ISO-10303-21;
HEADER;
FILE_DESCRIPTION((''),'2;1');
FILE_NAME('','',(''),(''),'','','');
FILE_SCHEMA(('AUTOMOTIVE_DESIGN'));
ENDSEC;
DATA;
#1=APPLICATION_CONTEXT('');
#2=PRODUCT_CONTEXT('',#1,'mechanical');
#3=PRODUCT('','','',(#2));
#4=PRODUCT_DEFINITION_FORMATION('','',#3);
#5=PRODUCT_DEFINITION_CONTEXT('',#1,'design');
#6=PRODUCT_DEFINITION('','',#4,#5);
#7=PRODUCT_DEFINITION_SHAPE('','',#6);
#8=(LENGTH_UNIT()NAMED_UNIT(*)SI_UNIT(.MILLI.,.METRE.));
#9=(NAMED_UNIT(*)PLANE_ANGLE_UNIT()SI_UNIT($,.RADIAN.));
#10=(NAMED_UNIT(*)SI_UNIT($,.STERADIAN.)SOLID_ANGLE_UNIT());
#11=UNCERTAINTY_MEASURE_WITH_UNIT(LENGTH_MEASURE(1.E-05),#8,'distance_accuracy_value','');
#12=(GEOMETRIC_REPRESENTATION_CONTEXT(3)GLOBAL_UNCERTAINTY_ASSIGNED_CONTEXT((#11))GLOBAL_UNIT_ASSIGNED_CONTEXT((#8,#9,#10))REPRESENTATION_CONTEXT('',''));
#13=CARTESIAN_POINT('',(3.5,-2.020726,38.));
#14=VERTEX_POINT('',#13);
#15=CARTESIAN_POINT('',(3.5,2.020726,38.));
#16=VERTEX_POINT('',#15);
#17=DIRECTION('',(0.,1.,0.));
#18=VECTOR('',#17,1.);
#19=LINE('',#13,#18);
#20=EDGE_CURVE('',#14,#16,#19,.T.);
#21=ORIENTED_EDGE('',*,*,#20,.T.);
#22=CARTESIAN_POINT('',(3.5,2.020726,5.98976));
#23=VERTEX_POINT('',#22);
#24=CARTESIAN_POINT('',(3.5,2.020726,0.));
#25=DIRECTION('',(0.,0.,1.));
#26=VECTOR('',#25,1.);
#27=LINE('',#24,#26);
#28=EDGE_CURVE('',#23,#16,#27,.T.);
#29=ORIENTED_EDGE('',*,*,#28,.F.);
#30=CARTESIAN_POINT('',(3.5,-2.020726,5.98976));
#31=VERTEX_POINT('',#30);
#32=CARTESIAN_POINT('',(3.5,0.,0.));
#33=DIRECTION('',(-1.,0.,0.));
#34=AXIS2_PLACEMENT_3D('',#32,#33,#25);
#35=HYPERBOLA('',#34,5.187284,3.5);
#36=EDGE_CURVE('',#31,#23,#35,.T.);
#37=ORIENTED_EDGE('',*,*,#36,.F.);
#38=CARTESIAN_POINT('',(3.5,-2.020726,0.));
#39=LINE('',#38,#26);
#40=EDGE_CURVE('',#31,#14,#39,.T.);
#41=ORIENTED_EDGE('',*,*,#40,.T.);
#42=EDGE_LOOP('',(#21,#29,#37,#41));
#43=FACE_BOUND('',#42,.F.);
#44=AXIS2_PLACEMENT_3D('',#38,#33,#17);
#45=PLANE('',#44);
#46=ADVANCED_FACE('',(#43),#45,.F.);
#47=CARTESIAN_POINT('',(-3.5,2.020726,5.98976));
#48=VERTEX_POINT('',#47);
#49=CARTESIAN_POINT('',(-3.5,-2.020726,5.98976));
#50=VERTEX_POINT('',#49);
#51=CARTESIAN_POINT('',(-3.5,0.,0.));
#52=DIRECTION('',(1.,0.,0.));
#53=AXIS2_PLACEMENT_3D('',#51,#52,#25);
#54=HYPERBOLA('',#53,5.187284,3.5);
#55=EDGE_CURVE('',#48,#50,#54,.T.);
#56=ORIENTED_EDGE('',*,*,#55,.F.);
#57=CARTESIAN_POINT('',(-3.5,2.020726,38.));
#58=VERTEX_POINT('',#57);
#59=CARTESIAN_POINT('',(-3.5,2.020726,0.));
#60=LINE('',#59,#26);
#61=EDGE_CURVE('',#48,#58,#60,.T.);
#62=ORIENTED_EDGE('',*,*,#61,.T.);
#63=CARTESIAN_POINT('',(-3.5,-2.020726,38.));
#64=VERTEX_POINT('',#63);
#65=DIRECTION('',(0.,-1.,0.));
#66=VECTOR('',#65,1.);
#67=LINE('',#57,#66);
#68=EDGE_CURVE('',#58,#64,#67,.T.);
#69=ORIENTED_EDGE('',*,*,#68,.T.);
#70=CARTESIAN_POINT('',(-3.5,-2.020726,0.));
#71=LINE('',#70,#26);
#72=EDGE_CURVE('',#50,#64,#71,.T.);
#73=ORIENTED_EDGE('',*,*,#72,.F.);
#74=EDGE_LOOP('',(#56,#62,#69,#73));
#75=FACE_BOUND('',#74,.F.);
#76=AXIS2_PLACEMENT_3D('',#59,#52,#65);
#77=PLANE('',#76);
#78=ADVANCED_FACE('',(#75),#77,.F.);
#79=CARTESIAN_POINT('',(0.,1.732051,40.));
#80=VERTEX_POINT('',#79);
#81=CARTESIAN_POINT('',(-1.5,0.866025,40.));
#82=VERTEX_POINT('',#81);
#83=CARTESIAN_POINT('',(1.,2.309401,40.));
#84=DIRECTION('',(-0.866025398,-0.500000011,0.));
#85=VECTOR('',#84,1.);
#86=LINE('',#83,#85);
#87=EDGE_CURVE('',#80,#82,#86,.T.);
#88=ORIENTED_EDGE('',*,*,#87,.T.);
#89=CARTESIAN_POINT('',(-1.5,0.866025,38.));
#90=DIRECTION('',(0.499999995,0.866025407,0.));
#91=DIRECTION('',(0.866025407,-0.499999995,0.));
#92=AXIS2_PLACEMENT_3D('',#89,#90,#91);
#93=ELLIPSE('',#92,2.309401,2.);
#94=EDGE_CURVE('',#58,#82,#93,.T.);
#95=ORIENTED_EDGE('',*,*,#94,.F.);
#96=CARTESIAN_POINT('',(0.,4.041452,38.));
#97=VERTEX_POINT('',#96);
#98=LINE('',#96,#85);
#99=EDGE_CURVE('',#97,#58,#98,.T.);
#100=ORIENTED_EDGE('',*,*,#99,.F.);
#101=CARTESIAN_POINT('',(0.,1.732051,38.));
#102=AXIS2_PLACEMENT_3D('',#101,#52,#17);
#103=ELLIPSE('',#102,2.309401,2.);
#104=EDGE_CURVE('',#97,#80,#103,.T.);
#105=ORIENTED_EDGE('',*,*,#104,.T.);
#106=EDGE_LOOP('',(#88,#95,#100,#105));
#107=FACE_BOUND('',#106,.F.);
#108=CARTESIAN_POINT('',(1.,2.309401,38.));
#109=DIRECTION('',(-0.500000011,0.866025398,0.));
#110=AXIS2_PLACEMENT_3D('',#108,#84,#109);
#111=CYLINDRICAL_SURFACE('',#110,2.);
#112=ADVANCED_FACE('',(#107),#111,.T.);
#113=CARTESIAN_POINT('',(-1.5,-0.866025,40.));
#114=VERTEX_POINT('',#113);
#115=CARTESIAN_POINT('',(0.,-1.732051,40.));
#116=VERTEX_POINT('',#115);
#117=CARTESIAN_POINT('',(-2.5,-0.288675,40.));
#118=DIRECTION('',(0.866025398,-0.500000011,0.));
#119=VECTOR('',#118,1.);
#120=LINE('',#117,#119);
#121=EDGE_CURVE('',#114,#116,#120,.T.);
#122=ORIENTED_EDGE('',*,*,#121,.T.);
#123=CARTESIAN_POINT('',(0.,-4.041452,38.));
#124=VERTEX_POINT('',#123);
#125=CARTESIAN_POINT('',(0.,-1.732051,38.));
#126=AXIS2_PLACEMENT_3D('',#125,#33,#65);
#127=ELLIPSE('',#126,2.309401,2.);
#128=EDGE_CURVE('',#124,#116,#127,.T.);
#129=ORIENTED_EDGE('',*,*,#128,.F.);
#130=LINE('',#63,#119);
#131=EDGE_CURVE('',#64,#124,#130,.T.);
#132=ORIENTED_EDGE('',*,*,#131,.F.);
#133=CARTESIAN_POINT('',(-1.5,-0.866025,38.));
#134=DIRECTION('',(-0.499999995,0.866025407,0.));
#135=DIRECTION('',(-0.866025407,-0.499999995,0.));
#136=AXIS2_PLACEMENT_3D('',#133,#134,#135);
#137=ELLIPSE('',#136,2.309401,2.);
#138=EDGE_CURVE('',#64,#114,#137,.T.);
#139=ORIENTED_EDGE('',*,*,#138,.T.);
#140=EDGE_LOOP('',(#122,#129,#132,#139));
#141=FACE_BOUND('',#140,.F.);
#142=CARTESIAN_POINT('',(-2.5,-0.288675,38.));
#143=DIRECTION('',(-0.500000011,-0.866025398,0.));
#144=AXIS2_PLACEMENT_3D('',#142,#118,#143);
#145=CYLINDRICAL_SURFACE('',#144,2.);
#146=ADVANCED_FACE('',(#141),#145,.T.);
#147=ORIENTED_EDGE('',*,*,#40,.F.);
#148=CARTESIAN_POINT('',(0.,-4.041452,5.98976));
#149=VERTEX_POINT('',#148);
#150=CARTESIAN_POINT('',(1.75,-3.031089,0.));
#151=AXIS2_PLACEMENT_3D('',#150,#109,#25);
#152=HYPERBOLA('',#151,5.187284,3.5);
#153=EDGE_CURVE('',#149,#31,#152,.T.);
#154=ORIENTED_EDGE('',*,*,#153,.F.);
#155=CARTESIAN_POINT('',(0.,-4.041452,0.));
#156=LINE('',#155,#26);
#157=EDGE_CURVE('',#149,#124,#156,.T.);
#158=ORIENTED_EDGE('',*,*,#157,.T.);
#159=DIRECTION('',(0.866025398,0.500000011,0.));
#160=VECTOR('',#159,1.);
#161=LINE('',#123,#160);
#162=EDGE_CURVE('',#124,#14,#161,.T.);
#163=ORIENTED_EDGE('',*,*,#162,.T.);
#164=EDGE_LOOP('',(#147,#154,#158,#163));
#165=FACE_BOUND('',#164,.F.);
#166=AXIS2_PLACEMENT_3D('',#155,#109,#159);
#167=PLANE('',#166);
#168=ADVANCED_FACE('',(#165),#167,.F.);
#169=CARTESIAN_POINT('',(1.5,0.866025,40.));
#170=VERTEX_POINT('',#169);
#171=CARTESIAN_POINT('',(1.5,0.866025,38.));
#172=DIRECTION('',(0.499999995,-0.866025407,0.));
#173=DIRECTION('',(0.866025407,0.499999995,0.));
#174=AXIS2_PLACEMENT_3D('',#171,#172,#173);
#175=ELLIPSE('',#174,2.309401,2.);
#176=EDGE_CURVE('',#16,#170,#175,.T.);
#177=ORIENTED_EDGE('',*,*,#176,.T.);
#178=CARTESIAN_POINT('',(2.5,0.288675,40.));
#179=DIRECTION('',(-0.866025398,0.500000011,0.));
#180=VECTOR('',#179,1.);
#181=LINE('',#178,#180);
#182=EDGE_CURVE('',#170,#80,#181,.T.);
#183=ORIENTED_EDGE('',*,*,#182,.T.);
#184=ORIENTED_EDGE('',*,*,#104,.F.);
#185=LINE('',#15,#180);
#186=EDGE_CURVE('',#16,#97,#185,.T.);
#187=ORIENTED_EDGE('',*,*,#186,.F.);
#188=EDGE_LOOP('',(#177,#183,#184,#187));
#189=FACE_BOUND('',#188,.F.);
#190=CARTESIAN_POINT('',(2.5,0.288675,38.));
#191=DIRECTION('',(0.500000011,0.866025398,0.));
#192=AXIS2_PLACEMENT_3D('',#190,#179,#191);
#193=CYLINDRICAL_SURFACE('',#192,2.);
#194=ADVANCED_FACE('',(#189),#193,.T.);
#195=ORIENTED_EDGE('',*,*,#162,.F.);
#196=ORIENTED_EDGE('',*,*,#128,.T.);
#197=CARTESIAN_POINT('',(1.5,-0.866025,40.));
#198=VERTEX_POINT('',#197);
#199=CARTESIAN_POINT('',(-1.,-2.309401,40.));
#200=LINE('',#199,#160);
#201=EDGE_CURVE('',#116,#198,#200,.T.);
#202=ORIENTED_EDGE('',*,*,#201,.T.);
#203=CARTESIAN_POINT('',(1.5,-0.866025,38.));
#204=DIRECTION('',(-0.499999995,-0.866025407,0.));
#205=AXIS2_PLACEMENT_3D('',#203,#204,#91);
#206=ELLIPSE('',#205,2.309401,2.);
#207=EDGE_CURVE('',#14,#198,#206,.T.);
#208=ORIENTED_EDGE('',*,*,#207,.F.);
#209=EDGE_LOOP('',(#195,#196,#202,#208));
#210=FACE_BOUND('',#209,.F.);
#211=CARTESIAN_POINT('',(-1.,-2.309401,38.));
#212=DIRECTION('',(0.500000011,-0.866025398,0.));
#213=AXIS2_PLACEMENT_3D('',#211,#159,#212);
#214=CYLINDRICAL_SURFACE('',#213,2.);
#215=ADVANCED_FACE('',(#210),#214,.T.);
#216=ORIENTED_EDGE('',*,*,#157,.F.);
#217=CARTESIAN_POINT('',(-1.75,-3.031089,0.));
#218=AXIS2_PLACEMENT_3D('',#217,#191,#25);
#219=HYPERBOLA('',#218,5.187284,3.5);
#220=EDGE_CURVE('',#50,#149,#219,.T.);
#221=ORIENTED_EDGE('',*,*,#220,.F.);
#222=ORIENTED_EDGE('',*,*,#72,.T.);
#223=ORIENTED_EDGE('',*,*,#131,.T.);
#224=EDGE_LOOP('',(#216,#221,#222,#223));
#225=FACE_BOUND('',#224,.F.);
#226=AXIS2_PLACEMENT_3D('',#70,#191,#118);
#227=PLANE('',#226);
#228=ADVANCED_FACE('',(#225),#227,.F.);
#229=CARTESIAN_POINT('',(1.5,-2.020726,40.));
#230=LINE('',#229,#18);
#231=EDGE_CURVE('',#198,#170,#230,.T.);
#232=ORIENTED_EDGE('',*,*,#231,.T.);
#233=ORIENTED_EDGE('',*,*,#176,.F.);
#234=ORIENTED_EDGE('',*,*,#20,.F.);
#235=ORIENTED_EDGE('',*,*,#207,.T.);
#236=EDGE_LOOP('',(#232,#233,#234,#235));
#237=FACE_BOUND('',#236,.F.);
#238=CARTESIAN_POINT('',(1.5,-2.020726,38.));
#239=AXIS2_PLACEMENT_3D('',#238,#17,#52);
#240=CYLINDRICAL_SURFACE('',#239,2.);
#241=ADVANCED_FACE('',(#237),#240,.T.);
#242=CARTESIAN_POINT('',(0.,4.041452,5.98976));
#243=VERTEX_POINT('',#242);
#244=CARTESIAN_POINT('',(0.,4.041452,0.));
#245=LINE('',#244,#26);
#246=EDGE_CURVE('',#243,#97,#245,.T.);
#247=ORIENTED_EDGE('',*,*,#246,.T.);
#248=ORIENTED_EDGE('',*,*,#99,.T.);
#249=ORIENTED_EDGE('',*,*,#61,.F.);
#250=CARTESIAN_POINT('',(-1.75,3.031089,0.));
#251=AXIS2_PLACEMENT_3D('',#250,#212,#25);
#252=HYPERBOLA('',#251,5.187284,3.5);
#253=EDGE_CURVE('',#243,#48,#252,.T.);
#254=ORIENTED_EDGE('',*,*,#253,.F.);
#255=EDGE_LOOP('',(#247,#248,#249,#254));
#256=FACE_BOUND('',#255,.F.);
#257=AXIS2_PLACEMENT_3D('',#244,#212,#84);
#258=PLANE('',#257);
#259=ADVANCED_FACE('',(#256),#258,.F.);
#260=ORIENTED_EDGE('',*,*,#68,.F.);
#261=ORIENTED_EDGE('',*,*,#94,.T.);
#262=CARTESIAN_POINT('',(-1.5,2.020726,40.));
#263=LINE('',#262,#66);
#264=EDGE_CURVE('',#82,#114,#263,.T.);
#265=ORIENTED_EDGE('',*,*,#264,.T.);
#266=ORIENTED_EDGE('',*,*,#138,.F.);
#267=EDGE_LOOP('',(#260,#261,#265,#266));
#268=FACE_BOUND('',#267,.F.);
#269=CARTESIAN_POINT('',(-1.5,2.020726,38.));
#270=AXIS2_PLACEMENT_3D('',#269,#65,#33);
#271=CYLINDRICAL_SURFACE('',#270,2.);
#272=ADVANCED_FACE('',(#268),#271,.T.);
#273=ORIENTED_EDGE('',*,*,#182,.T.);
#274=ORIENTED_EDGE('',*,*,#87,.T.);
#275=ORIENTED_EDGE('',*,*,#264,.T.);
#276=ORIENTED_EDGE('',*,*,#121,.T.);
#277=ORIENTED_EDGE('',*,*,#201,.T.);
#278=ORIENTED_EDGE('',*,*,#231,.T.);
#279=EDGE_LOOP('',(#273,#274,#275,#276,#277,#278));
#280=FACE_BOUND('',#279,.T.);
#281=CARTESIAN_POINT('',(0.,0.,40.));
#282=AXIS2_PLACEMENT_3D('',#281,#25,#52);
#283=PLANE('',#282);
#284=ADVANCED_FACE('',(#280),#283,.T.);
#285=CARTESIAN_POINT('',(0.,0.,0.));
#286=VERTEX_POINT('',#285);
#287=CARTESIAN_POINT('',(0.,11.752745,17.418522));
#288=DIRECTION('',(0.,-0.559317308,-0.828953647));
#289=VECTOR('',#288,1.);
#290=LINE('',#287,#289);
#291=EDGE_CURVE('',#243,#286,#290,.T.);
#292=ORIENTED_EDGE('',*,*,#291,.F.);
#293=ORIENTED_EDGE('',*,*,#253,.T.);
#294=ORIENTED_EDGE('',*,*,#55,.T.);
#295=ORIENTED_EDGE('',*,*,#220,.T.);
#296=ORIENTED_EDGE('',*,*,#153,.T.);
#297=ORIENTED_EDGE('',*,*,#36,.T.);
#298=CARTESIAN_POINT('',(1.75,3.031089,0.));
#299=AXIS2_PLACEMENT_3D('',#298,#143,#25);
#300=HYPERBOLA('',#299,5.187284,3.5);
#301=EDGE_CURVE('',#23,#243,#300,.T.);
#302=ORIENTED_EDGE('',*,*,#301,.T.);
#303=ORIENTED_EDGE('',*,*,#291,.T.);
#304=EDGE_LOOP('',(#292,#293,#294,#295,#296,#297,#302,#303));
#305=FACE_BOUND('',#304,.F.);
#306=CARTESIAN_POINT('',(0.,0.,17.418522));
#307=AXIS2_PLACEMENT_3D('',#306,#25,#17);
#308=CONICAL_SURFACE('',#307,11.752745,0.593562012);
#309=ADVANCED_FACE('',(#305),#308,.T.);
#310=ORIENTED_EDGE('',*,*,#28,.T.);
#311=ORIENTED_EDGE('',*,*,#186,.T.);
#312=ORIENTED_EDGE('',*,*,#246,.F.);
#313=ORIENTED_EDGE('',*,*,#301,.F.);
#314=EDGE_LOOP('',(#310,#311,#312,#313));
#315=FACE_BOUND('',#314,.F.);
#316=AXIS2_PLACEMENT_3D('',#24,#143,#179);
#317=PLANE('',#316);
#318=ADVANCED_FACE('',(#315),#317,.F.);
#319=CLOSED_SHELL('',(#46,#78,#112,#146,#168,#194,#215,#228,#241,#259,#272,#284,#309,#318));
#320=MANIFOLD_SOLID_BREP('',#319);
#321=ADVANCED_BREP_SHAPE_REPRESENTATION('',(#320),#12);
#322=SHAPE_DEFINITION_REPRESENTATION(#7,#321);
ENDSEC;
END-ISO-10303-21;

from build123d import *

# Parameters (mm, degrees)
F1_DEPTH = 40
F2_R     = 2


with BuildPart() as f1:
    # F0 (on Top) → F1 (new body)
    with BuildSketch(Plane.XY):
        Polygon((-3.5, 2.020726), (-3.5, -2.020726), (0, -4.041452), (3.5, -2.020726), (3.5, 2.020726), (0, 4.041452), align=None)
    extrude(amount=F1_DEPTH)

    # F2
    f2_edges = [f1.edges().sort_by_distance(p)[0] for p in [
        (-3.5, 0, 40),
        (-1.75, -3.031089, 40),
        (1.75, -3.031089, 40),
        (3.5, 0, 40),
        (1.75, 3.031089, 40),
        (-1.75, 3.031089, 40),
    ]]
    fillet(f2_edges, radius=F2_R)

    # F3 (on Right) → F4 (revolve, cut)
    with BuildSketch(Plane.YZ):
        Polygon((11.752745, 17.418522), (0, 0), (0, -5.376646), (19.7981, -5.376646), (22.114186, 17.418522), align=None)
    revolve(axis=Axis((0, 0, -2.688323), (0, 0, 1)), mode=Mode.SUBTRACT)


solid = f1.part
